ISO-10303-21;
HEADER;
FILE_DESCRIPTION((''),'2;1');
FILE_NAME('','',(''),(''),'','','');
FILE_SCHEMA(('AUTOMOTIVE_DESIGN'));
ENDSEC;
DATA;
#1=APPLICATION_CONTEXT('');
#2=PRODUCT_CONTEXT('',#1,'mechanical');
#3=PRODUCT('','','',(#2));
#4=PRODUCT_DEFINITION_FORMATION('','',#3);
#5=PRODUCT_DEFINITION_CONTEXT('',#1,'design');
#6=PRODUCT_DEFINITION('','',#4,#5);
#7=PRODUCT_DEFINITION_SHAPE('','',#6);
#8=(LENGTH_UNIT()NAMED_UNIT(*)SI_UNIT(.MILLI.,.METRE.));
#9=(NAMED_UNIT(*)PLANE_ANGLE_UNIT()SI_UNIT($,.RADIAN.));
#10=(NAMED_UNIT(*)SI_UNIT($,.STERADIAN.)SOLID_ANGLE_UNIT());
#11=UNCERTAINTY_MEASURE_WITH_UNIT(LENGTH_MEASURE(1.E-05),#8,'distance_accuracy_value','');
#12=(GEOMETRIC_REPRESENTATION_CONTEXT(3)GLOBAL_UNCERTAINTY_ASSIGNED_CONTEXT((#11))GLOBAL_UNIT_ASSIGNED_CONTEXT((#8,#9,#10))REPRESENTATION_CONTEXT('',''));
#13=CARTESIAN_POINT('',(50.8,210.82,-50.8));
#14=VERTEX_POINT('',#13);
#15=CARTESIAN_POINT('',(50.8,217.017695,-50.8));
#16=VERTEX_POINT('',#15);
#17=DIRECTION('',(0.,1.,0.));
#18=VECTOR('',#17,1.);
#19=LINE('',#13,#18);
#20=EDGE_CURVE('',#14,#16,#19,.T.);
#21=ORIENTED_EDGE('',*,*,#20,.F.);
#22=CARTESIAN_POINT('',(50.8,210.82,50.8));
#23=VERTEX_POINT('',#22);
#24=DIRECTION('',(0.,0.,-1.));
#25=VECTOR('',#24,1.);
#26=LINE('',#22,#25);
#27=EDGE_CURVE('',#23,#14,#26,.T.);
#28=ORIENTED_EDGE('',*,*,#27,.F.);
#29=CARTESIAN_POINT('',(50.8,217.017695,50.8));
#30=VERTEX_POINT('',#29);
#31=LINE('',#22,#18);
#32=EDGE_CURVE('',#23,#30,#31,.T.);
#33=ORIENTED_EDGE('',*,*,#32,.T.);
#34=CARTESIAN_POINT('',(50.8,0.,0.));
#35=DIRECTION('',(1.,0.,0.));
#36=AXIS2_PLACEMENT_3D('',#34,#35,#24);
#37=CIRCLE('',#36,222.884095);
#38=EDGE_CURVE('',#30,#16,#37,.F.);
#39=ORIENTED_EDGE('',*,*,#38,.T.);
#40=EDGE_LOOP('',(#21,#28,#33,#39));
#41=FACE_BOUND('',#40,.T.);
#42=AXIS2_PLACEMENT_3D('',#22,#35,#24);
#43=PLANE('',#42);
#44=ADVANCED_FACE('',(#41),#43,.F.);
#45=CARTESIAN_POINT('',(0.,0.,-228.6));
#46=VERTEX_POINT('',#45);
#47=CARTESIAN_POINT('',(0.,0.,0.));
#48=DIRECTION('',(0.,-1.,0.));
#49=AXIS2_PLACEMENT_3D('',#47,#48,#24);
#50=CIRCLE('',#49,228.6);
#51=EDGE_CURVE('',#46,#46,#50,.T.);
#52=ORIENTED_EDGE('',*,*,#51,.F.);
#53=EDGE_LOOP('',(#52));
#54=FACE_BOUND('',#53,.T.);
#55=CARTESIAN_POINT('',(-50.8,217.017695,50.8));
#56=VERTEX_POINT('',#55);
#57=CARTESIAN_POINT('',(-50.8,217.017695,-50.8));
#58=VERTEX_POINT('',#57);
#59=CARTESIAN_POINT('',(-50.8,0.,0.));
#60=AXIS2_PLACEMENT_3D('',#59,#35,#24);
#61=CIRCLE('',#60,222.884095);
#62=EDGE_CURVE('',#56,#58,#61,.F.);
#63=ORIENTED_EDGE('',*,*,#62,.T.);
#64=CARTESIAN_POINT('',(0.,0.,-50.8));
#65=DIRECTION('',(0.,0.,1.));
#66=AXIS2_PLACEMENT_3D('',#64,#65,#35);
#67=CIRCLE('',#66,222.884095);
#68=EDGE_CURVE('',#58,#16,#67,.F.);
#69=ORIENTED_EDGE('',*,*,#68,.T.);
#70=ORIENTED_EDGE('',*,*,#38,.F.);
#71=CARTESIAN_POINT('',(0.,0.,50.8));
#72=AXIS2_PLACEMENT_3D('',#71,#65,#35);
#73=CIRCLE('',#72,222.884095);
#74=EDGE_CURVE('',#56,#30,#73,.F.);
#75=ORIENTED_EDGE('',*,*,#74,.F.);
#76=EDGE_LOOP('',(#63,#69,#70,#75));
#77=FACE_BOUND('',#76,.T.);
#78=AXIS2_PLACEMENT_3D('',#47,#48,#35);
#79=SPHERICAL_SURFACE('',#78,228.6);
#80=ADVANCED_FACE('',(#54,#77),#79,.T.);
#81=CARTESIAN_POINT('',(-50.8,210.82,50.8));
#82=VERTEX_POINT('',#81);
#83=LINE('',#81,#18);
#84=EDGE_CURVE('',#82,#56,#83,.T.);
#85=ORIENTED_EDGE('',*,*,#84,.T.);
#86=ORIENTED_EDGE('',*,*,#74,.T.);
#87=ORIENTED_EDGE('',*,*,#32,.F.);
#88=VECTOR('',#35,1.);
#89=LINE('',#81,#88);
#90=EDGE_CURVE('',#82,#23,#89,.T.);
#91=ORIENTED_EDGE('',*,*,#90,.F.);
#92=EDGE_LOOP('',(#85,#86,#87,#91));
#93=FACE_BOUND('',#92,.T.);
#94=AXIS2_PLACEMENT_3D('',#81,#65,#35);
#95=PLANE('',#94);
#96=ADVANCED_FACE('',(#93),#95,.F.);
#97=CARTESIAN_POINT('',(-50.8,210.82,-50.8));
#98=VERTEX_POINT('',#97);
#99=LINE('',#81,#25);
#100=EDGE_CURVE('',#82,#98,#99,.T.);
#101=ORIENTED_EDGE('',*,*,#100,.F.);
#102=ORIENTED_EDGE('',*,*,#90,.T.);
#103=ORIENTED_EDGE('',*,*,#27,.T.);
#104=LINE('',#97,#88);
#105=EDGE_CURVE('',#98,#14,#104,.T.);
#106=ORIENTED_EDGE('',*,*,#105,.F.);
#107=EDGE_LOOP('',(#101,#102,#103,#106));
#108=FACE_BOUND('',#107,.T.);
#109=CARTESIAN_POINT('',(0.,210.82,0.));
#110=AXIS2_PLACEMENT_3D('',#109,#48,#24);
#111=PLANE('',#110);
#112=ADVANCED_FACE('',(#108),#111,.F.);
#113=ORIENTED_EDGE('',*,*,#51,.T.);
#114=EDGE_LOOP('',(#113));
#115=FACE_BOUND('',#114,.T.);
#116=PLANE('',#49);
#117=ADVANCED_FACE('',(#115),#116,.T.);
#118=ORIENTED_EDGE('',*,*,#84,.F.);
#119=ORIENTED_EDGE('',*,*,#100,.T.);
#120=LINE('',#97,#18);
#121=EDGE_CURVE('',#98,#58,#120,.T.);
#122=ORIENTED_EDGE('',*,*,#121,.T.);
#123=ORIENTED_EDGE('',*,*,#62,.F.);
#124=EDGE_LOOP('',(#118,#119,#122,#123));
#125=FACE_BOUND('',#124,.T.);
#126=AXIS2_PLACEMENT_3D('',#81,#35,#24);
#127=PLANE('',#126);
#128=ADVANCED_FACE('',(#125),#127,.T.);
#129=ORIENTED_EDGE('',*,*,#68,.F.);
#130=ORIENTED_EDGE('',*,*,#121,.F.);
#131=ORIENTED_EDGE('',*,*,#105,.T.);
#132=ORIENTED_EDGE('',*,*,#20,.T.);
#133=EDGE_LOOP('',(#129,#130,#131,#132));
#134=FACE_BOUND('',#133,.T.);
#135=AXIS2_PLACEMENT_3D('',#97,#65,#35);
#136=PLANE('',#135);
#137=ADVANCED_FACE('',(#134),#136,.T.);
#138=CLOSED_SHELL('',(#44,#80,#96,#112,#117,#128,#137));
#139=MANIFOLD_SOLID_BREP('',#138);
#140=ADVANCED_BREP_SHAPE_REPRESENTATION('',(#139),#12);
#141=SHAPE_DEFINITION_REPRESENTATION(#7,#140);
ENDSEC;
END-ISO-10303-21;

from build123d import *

# Parameters (mm, degrees)
SKETCH2_W          = 101.6
SKETCH2_H          = 101.6
CUT_EXTRUDE1_DEPTH = 17.78


with BuildPart() as part:
    # Sketch1 → Revolve1 (revolve)
    with BuildSketch(Plane.XY):
        with BuildLine():
            Line((0, 0), (228.6, 0))
            ThreePointArc((228.6, 0), (161.644610179, 161.644610179), (0, 228.6))
            Line((0, 228.6), (0, 0))
        make_face()
    revolve(axis=Axis((0, 0, 0), (0, 1, 0)))

    # Sketch2 → Cut-Extrude1 (cut)
    with BuildSketch(Plane(origin=(0, 228.6, 0), x_dir=(1, 0, 0), z_dir=(0, 1, 0))):
        Rectangle(SKETCH2_W, SKETCH2_H)
    extrude(amount=-CUT_EXTRUDE1_DEPTH, mode=Mode.SUBTRACT)


solid = part.part
